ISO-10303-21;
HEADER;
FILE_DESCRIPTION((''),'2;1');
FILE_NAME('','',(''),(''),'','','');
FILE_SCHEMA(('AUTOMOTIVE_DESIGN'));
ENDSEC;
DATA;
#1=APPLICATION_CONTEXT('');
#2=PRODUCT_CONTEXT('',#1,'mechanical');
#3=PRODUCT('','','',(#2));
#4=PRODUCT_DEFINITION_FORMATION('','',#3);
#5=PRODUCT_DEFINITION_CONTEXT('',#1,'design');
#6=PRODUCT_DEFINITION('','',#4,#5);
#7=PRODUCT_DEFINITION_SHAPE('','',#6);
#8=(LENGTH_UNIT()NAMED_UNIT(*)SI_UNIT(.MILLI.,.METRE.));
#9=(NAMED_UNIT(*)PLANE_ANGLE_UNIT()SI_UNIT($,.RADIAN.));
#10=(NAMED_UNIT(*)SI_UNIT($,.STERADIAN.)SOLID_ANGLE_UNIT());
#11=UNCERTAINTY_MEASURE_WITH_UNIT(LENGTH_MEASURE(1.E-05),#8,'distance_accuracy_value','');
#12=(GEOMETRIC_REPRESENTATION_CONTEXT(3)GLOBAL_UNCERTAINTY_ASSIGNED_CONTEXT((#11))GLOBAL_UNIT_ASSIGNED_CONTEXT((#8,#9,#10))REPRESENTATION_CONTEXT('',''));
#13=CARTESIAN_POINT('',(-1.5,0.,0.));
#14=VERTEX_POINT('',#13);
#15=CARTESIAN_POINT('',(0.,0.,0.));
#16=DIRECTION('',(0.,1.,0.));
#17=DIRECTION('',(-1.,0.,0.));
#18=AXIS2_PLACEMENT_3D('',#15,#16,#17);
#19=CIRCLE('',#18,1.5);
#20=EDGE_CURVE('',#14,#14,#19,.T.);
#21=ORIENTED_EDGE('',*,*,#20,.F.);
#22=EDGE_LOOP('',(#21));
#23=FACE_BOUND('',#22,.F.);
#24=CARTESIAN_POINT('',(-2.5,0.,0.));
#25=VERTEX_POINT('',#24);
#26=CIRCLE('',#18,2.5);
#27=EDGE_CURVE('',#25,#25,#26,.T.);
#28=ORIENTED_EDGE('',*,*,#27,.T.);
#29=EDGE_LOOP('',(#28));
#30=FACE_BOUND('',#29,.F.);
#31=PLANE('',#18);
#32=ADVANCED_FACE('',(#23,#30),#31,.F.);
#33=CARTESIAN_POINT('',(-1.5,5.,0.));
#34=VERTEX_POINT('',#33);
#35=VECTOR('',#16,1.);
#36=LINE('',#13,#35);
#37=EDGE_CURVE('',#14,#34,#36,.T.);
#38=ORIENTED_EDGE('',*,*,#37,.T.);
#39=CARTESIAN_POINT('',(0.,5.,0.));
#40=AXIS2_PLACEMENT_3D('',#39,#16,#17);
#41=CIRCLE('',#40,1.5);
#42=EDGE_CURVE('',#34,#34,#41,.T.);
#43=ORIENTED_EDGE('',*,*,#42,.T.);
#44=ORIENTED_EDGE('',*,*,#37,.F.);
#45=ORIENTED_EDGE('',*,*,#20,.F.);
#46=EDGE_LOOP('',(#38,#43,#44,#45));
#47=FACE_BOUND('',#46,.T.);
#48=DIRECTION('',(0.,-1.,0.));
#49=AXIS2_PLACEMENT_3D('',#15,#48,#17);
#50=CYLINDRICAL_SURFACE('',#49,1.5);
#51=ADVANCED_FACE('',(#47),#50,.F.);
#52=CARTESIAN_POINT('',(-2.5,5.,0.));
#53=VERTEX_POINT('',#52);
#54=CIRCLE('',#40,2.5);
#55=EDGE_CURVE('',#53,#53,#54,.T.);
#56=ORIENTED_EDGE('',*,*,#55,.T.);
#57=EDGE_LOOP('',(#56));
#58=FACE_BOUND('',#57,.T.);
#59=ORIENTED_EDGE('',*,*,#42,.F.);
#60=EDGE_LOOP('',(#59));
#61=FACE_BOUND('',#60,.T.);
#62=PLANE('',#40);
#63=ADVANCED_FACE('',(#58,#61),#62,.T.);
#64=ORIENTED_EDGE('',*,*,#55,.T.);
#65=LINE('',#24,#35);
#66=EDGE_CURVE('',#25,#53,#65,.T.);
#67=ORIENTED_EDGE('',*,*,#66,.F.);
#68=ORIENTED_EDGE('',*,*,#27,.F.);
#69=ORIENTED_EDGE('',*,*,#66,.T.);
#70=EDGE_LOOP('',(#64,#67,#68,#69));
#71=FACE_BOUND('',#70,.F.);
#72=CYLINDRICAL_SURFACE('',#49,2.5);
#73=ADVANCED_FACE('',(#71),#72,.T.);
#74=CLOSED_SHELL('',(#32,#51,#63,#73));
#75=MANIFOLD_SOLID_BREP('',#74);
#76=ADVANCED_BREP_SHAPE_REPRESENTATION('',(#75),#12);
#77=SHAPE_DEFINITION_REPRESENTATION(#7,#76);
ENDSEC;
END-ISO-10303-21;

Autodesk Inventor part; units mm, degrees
ref_plane "YZ Plane" through (0, 0, 0) normal (1, 0, 0) x (0, 1, 0)
ref_plane "XZ Plane" through (0, 0, 0) normal (0, 1, 0) x (-1, 0, 0)
ref_plane "XY Plane" through (0, 0, 0) normal (0, 0, 1) x (1, 0, 0)
sketch "Sketch1" plane through (0, 0, 0) normal (0, 1, 0) x (-1, 0, 0)
  circle A0 centre (0, 0) radius 1.5
  circle A1 centre (0, 0) radius 2.5
  dimension "d0" = 3
  dimension "d1" = 5
extrude "Extrusion1" add sketch "Sketch1" along normal blind 5
properties part number "screw_cover"
